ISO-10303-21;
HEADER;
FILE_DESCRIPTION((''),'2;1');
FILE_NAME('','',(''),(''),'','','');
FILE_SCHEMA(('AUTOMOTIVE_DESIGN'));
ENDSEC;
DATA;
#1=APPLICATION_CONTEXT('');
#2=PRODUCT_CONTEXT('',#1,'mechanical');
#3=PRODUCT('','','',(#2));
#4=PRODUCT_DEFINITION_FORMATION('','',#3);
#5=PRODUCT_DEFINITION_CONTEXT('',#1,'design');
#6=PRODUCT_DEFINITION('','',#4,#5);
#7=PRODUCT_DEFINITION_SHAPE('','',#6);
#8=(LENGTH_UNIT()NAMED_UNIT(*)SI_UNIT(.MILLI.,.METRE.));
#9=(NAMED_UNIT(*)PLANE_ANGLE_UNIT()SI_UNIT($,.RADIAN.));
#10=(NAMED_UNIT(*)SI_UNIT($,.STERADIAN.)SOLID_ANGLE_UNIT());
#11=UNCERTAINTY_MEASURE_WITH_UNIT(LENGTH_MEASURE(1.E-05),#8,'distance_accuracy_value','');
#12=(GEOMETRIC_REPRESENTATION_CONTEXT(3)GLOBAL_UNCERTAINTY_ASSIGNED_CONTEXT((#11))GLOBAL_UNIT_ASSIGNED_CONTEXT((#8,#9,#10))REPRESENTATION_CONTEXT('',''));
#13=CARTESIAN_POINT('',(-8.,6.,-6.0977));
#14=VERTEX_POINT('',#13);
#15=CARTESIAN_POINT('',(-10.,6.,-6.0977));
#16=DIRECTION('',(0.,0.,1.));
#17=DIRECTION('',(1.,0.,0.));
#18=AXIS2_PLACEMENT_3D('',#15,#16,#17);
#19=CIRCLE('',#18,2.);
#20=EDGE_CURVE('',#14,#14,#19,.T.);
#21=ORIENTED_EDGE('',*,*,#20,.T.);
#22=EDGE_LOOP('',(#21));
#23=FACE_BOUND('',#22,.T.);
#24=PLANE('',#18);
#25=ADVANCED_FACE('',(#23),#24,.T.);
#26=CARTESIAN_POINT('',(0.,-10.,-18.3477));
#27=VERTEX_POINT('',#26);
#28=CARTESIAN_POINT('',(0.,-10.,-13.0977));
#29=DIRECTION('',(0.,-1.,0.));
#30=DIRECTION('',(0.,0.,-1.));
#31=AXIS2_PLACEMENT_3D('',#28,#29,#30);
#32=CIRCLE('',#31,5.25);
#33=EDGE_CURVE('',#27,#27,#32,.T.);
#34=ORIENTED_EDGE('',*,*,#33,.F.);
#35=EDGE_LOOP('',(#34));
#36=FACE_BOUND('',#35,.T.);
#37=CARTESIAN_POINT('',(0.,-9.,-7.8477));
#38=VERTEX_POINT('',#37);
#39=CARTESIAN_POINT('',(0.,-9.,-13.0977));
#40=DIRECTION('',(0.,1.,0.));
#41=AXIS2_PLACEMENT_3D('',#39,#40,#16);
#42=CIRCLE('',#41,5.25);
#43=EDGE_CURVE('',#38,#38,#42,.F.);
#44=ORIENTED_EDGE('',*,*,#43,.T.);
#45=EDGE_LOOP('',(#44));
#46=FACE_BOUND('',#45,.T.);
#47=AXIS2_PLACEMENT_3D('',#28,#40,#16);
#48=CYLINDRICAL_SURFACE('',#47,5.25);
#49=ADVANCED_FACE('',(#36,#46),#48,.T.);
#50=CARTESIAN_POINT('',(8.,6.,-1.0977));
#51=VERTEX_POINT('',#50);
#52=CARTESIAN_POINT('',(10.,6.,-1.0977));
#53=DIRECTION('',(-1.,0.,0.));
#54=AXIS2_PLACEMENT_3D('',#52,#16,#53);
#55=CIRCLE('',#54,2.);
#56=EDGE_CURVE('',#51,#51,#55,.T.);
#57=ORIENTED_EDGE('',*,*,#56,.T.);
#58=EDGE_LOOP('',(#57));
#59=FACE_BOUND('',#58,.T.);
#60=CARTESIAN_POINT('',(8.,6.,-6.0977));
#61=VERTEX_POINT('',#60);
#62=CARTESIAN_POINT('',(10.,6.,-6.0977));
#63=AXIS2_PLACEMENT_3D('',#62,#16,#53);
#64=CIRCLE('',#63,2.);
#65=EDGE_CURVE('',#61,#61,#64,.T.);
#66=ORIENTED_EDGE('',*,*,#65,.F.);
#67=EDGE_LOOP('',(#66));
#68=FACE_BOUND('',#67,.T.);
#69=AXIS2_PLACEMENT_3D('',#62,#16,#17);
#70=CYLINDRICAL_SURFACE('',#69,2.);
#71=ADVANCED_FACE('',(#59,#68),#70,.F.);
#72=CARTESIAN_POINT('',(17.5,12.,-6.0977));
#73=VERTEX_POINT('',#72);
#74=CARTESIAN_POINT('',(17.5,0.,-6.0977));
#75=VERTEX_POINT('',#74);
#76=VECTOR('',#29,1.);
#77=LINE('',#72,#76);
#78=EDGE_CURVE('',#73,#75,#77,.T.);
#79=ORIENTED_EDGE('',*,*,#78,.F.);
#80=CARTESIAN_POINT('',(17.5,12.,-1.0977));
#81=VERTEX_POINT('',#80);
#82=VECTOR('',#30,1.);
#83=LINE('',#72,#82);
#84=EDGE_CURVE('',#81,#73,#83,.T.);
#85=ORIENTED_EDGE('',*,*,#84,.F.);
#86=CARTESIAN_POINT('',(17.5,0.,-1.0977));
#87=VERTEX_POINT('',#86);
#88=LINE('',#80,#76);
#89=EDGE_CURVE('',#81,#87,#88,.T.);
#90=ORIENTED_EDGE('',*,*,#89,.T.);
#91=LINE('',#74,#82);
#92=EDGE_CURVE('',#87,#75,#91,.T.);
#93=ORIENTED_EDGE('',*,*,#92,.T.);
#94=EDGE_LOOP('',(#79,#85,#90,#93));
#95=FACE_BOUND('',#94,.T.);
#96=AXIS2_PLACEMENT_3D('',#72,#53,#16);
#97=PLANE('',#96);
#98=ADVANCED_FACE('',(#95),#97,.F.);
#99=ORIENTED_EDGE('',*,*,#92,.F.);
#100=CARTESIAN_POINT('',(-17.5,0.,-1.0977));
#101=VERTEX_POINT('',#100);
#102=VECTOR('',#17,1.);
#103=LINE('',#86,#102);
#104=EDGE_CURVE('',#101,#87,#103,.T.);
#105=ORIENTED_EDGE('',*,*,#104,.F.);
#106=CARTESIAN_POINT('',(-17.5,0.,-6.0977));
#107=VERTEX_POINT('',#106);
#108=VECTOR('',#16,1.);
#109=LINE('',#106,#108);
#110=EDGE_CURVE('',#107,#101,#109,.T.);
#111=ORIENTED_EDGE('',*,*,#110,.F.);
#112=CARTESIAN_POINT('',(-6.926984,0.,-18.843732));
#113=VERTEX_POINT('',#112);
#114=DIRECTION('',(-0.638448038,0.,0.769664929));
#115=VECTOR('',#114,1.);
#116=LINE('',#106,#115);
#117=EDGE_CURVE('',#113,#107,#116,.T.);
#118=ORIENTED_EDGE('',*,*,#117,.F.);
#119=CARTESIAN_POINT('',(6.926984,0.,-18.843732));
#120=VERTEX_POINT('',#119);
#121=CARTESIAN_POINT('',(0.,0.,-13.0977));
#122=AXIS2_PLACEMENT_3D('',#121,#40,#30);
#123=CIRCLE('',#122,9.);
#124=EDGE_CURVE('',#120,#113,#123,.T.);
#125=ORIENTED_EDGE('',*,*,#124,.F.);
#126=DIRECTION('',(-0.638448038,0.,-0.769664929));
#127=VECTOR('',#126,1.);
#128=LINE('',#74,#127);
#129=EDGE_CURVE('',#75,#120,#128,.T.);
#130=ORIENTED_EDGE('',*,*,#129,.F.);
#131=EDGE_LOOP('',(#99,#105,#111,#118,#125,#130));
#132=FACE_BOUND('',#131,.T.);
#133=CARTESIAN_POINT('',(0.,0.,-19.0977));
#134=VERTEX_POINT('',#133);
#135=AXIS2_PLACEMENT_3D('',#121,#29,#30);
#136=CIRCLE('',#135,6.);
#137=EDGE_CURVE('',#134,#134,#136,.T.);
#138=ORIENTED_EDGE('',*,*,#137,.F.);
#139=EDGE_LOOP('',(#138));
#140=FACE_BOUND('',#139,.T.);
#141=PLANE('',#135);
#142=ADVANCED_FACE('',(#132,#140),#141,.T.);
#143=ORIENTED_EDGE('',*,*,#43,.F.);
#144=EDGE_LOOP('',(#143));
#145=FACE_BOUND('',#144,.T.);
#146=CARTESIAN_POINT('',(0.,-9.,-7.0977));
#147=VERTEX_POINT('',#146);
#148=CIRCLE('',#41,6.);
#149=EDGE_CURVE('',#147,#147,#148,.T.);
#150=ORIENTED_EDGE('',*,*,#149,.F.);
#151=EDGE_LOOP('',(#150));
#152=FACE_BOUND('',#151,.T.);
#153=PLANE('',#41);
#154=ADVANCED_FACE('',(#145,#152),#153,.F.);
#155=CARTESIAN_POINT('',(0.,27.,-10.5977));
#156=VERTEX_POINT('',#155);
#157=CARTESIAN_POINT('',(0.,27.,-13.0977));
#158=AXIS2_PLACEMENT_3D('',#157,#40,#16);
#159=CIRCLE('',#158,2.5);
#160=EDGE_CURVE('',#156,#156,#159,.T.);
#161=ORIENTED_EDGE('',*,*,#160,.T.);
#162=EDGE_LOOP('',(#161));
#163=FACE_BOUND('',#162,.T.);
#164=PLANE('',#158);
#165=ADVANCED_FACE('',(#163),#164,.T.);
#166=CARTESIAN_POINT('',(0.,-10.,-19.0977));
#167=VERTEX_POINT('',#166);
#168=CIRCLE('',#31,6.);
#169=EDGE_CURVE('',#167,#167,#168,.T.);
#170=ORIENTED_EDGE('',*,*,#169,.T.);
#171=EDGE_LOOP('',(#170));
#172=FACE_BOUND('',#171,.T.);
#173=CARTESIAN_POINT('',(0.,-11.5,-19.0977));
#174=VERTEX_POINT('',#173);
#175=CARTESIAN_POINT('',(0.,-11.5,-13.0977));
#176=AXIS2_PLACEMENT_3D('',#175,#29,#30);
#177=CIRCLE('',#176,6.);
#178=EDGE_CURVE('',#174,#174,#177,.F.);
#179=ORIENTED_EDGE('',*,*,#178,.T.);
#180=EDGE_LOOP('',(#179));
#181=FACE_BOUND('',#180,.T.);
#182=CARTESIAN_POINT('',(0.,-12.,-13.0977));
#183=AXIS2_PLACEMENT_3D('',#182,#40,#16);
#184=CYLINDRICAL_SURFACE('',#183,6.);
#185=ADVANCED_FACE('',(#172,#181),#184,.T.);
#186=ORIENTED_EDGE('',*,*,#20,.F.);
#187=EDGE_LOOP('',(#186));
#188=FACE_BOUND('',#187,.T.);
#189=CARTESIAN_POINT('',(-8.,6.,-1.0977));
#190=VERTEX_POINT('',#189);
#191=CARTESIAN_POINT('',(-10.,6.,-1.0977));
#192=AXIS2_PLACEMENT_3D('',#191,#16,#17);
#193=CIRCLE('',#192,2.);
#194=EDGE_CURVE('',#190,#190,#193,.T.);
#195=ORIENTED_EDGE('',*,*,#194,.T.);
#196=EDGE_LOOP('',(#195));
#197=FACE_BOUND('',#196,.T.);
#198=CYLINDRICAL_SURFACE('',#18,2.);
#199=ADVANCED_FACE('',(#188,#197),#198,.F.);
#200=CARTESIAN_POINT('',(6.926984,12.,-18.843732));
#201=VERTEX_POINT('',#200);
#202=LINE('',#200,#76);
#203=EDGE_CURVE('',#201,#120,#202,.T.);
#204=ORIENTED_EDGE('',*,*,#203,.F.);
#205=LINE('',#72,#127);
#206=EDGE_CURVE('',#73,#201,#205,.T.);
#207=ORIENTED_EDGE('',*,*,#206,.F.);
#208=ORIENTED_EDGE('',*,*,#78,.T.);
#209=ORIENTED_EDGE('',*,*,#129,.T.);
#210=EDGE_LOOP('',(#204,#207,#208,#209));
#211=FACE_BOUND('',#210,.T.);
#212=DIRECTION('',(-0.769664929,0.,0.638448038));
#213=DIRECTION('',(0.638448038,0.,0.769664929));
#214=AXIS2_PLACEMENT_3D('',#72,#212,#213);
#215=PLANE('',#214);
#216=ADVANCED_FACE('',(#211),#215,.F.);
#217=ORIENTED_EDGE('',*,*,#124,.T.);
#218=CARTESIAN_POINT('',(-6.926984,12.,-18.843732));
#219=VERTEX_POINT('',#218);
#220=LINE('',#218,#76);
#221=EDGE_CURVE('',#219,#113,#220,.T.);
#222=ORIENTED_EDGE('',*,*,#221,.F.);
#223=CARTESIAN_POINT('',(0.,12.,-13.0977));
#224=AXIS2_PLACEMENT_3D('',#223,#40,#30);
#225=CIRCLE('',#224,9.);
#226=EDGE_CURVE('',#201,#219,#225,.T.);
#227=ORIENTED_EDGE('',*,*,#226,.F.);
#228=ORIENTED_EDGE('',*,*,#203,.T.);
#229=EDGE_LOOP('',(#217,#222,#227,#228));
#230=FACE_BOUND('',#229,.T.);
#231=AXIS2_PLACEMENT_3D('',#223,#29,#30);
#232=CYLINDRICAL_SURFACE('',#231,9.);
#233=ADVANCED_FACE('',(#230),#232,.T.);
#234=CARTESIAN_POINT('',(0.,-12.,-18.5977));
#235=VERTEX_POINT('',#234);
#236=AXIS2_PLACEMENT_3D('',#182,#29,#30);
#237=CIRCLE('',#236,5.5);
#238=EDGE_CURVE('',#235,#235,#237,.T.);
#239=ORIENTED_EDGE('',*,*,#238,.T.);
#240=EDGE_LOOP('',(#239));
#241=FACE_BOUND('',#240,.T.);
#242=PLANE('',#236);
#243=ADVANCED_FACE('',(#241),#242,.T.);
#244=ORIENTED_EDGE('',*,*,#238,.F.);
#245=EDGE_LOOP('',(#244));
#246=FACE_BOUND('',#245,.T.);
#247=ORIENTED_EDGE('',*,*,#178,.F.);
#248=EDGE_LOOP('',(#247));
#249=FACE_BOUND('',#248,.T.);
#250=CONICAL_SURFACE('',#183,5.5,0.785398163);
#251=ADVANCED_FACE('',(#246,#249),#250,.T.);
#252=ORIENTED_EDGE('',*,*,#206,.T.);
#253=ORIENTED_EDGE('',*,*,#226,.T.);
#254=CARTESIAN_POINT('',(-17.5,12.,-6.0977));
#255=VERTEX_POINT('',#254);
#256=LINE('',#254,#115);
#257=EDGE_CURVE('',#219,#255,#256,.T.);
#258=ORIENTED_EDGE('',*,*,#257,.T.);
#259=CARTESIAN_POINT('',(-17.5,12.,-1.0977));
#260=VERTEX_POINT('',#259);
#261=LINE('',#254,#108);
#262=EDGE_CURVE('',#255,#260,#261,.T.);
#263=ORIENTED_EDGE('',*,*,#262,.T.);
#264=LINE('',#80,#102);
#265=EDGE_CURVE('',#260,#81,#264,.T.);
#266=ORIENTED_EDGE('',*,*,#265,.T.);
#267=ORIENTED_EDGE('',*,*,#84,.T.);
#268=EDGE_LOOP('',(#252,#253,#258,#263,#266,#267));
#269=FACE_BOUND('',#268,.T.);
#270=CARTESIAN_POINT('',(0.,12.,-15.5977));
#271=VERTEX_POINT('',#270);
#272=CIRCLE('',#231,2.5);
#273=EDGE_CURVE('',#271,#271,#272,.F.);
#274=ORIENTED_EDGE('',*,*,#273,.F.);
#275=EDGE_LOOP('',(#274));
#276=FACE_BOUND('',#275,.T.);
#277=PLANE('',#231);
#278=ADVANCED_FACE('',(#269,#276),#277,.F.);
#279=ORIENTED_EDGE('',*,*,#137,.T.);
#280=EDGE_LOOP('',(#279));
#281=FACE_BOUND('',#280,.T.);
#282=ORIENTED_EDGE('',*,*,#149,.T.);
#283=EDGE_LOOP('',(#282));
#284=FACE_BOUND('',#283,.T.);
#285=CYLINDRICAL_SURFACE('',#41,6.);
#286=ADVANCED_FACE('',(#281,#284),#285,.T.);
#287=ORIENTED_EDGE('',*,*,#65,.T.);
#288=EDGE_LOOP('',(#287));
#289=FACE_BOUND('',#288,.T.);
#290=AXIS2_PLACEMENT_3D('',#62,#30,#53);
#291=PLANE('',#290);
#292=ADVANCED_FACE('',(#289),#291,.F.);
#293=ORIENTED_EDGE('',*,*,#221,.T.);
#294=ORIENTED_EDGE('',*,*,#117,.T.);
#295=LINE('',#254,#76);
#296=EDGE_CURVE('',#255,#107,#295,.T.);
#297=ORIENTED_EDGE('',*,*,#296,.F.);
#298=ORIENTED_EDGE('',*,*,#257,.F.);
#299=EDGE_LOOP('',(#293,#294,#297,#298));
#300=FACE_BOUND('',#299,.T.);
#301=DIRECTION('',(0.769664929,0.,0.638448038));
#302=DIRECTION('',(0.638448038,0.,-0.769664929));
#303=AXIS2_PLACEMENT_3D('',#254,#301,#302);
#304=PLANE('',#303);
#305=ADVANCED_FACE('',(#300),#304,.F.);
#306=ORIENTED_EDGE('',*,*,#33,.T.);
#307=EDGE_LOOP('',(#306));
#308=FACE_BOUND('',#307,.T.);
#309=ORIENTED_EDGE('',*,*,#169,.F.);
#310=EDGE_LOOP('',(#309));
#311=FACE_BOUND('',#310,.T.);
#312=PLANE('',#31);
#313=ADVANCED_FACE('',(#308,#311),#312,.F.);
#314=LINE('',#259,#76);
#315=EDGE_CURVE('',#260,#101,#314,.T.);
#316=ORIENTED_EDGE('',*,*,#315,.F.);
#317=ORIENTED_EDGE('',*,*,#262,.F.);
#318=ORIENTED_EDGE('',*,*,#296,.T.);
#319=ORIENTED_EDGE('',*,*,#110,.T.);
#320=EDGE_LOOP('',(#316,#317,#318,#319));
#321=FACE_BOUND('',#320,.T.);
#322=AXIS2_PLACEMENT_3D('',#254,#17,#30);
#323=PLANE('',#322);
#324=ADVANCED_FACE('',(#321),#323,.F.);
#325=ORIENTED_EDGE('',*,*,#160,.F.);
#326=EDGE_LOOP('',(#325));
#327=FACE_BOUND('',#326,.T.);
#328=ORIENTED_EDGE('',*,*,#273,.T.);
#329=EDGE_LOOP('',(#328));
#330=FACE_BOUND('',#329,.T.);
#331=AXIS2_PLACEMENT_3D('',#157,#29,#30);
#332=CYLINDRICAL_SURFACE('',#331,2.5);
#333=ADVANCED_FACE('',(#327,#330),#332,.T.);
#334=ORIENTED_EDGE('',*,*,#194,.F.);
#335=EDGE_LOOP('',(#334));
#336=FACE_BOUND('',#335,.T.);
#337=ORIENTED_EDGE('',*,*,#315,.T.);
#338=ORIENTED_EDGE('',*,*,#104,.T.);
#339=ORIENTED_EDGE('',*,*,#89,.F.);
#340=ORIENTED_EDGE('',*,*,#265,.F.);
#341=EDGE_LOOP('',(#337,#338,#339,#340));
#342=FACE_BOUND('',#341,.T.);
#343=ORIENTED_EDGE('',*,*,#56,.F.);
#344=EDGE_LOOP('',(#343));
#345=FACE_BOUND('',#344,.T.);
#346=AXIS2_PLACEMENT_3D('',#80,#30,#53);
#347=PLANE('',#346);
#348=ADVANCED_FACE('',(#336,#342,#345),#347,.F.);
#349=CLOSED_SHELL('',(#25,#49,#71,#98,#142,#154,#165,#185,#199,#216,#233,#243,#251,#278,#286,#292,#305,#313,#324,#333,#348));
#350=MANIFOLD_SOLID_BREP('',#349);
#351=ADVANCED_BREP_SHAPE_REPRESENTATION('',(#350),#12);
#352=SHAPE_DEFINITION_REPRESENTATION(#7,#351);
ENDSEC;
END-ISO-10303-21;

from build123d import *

# Parameters (mm, degrees)
EXTRUDE_1_DEPTH     = 12
SKETCH_2_R          = 6
EXTRUDE_2_DEPTH     = 9
SKETCH_3_R          = 5.25
EXTRUDE_3_DEPTH     = 1
SKETCH_4_R          = 6
EXTRUDE_4_DEPTH     = 2
CHAMFER_1_SIZE      = 0.5
SKETCH_5_R          = 2
CUT_EXTRUDE_1_DEPTH = 5
SKETCH_6_R          = 2.5
EXTRUDE_5_DEPTH     = 15


with BuildPart() as part:
    # 草图1 → 凸台-拉伸1 (new body)
    with BuildSketch(Plane(origin=(0, 0, 0), x_dir=(1, 0, 0), z_dir=(0, 1, 0))):
        with BuildLine():
            Line((-17.5, 6.09769995), (-6.926984364, 18.843732288))
            ThreePointArc((-6.926984364, 18.843732288), (0, 22.09769995), (6.926984364, 18.843732288))
            Line((6.926984364, 18.843732288), (17.5, 6.09769995))
            Line((17.5, 6.09769995), (17.5, 1.09769995))
            Line((17.5, 1.09769995), (-17.5, 1.09769995))
            Line((-17.5, 1.09769995), (-17.5, 6.09769995))
        make_face()
    extrude(amount=EXTRUDE_1_DEPTH)

    # 草图2 → 凸台-拉伸2 (add)
    with BuildSketch(Plane(origin=(0, 0, 0), x_dir=(1, 0, 0), z_dir=(0, 1, 0))):
        with Locations(Location((0, 13.09769995, 0), (0, 0, 270))):
            Circle(SKETCH_2_R)
    extrude(amount=-EXTRUDE_2_DEPTH)

    # 草图3 → 凸台-拉伸3 (add)
    with BuildSketch(Plane(origin=(0, -9, 0), x_dir=(-1, 0, 0), z_dir=(0, -1, 0))):
        with Locations(Location((0, 13.09769995, 0), (0, 0, 270))):
            Circle(SKETCH_3_R)
    extrude(amount=EXTRUDE_3_DEPTH)

    # 草图4 → 凸台-拉伸4 (add)
    with BuildSketch(Plane(origin=(0, -10, 0), x_dir=(-1, 0, 0), z_dir=(0, -1, 0))):
        with Locations(Location((0, 13.09769995, 0), (0, 0, 270))):
            Circle(SKETCH_4_R)
    extrude(amount=EXTRUDE_4_DEPTH)

    # 倒角1
    chamfer_1_edges = [part.edges().sort_by_distance(p)[0] for p in [
        (0, -12, -19.09769995),
    ]]
    chamfer(chamfer_1_edges, length=CHAMFER_1_SIZE)

    # 草图5 → 切除-拉伸1 (cut)
    with BuildSketch(Plane.XY.offset(-1.09769995)):
        with Locations((-10, 6)):
            Circle(SKETCH_5_R)
        with Locations(Location((10, 6, 0), (0, 0, 180))):
            Circle(SKETCH_5_R)
    extrude(amount=-CUT_EXTRUDE_1_DEPTH, mode=Mode.SUBTRACT)

    # 草图6 → 凸台-拉伸5 (add)
    with BuildSketch(Plane(origin=(0, 12, 0), x_dir=(1, 0, 0), z_dir=(0, 1, 0))):
        with Locations(Location((0, 13.09769995, 0), (0, 0, 90))):
            Circle(SKETCH_6_R)
    extrude(amount=EXTRUDE_5_DEPTH)


solid = part.part
